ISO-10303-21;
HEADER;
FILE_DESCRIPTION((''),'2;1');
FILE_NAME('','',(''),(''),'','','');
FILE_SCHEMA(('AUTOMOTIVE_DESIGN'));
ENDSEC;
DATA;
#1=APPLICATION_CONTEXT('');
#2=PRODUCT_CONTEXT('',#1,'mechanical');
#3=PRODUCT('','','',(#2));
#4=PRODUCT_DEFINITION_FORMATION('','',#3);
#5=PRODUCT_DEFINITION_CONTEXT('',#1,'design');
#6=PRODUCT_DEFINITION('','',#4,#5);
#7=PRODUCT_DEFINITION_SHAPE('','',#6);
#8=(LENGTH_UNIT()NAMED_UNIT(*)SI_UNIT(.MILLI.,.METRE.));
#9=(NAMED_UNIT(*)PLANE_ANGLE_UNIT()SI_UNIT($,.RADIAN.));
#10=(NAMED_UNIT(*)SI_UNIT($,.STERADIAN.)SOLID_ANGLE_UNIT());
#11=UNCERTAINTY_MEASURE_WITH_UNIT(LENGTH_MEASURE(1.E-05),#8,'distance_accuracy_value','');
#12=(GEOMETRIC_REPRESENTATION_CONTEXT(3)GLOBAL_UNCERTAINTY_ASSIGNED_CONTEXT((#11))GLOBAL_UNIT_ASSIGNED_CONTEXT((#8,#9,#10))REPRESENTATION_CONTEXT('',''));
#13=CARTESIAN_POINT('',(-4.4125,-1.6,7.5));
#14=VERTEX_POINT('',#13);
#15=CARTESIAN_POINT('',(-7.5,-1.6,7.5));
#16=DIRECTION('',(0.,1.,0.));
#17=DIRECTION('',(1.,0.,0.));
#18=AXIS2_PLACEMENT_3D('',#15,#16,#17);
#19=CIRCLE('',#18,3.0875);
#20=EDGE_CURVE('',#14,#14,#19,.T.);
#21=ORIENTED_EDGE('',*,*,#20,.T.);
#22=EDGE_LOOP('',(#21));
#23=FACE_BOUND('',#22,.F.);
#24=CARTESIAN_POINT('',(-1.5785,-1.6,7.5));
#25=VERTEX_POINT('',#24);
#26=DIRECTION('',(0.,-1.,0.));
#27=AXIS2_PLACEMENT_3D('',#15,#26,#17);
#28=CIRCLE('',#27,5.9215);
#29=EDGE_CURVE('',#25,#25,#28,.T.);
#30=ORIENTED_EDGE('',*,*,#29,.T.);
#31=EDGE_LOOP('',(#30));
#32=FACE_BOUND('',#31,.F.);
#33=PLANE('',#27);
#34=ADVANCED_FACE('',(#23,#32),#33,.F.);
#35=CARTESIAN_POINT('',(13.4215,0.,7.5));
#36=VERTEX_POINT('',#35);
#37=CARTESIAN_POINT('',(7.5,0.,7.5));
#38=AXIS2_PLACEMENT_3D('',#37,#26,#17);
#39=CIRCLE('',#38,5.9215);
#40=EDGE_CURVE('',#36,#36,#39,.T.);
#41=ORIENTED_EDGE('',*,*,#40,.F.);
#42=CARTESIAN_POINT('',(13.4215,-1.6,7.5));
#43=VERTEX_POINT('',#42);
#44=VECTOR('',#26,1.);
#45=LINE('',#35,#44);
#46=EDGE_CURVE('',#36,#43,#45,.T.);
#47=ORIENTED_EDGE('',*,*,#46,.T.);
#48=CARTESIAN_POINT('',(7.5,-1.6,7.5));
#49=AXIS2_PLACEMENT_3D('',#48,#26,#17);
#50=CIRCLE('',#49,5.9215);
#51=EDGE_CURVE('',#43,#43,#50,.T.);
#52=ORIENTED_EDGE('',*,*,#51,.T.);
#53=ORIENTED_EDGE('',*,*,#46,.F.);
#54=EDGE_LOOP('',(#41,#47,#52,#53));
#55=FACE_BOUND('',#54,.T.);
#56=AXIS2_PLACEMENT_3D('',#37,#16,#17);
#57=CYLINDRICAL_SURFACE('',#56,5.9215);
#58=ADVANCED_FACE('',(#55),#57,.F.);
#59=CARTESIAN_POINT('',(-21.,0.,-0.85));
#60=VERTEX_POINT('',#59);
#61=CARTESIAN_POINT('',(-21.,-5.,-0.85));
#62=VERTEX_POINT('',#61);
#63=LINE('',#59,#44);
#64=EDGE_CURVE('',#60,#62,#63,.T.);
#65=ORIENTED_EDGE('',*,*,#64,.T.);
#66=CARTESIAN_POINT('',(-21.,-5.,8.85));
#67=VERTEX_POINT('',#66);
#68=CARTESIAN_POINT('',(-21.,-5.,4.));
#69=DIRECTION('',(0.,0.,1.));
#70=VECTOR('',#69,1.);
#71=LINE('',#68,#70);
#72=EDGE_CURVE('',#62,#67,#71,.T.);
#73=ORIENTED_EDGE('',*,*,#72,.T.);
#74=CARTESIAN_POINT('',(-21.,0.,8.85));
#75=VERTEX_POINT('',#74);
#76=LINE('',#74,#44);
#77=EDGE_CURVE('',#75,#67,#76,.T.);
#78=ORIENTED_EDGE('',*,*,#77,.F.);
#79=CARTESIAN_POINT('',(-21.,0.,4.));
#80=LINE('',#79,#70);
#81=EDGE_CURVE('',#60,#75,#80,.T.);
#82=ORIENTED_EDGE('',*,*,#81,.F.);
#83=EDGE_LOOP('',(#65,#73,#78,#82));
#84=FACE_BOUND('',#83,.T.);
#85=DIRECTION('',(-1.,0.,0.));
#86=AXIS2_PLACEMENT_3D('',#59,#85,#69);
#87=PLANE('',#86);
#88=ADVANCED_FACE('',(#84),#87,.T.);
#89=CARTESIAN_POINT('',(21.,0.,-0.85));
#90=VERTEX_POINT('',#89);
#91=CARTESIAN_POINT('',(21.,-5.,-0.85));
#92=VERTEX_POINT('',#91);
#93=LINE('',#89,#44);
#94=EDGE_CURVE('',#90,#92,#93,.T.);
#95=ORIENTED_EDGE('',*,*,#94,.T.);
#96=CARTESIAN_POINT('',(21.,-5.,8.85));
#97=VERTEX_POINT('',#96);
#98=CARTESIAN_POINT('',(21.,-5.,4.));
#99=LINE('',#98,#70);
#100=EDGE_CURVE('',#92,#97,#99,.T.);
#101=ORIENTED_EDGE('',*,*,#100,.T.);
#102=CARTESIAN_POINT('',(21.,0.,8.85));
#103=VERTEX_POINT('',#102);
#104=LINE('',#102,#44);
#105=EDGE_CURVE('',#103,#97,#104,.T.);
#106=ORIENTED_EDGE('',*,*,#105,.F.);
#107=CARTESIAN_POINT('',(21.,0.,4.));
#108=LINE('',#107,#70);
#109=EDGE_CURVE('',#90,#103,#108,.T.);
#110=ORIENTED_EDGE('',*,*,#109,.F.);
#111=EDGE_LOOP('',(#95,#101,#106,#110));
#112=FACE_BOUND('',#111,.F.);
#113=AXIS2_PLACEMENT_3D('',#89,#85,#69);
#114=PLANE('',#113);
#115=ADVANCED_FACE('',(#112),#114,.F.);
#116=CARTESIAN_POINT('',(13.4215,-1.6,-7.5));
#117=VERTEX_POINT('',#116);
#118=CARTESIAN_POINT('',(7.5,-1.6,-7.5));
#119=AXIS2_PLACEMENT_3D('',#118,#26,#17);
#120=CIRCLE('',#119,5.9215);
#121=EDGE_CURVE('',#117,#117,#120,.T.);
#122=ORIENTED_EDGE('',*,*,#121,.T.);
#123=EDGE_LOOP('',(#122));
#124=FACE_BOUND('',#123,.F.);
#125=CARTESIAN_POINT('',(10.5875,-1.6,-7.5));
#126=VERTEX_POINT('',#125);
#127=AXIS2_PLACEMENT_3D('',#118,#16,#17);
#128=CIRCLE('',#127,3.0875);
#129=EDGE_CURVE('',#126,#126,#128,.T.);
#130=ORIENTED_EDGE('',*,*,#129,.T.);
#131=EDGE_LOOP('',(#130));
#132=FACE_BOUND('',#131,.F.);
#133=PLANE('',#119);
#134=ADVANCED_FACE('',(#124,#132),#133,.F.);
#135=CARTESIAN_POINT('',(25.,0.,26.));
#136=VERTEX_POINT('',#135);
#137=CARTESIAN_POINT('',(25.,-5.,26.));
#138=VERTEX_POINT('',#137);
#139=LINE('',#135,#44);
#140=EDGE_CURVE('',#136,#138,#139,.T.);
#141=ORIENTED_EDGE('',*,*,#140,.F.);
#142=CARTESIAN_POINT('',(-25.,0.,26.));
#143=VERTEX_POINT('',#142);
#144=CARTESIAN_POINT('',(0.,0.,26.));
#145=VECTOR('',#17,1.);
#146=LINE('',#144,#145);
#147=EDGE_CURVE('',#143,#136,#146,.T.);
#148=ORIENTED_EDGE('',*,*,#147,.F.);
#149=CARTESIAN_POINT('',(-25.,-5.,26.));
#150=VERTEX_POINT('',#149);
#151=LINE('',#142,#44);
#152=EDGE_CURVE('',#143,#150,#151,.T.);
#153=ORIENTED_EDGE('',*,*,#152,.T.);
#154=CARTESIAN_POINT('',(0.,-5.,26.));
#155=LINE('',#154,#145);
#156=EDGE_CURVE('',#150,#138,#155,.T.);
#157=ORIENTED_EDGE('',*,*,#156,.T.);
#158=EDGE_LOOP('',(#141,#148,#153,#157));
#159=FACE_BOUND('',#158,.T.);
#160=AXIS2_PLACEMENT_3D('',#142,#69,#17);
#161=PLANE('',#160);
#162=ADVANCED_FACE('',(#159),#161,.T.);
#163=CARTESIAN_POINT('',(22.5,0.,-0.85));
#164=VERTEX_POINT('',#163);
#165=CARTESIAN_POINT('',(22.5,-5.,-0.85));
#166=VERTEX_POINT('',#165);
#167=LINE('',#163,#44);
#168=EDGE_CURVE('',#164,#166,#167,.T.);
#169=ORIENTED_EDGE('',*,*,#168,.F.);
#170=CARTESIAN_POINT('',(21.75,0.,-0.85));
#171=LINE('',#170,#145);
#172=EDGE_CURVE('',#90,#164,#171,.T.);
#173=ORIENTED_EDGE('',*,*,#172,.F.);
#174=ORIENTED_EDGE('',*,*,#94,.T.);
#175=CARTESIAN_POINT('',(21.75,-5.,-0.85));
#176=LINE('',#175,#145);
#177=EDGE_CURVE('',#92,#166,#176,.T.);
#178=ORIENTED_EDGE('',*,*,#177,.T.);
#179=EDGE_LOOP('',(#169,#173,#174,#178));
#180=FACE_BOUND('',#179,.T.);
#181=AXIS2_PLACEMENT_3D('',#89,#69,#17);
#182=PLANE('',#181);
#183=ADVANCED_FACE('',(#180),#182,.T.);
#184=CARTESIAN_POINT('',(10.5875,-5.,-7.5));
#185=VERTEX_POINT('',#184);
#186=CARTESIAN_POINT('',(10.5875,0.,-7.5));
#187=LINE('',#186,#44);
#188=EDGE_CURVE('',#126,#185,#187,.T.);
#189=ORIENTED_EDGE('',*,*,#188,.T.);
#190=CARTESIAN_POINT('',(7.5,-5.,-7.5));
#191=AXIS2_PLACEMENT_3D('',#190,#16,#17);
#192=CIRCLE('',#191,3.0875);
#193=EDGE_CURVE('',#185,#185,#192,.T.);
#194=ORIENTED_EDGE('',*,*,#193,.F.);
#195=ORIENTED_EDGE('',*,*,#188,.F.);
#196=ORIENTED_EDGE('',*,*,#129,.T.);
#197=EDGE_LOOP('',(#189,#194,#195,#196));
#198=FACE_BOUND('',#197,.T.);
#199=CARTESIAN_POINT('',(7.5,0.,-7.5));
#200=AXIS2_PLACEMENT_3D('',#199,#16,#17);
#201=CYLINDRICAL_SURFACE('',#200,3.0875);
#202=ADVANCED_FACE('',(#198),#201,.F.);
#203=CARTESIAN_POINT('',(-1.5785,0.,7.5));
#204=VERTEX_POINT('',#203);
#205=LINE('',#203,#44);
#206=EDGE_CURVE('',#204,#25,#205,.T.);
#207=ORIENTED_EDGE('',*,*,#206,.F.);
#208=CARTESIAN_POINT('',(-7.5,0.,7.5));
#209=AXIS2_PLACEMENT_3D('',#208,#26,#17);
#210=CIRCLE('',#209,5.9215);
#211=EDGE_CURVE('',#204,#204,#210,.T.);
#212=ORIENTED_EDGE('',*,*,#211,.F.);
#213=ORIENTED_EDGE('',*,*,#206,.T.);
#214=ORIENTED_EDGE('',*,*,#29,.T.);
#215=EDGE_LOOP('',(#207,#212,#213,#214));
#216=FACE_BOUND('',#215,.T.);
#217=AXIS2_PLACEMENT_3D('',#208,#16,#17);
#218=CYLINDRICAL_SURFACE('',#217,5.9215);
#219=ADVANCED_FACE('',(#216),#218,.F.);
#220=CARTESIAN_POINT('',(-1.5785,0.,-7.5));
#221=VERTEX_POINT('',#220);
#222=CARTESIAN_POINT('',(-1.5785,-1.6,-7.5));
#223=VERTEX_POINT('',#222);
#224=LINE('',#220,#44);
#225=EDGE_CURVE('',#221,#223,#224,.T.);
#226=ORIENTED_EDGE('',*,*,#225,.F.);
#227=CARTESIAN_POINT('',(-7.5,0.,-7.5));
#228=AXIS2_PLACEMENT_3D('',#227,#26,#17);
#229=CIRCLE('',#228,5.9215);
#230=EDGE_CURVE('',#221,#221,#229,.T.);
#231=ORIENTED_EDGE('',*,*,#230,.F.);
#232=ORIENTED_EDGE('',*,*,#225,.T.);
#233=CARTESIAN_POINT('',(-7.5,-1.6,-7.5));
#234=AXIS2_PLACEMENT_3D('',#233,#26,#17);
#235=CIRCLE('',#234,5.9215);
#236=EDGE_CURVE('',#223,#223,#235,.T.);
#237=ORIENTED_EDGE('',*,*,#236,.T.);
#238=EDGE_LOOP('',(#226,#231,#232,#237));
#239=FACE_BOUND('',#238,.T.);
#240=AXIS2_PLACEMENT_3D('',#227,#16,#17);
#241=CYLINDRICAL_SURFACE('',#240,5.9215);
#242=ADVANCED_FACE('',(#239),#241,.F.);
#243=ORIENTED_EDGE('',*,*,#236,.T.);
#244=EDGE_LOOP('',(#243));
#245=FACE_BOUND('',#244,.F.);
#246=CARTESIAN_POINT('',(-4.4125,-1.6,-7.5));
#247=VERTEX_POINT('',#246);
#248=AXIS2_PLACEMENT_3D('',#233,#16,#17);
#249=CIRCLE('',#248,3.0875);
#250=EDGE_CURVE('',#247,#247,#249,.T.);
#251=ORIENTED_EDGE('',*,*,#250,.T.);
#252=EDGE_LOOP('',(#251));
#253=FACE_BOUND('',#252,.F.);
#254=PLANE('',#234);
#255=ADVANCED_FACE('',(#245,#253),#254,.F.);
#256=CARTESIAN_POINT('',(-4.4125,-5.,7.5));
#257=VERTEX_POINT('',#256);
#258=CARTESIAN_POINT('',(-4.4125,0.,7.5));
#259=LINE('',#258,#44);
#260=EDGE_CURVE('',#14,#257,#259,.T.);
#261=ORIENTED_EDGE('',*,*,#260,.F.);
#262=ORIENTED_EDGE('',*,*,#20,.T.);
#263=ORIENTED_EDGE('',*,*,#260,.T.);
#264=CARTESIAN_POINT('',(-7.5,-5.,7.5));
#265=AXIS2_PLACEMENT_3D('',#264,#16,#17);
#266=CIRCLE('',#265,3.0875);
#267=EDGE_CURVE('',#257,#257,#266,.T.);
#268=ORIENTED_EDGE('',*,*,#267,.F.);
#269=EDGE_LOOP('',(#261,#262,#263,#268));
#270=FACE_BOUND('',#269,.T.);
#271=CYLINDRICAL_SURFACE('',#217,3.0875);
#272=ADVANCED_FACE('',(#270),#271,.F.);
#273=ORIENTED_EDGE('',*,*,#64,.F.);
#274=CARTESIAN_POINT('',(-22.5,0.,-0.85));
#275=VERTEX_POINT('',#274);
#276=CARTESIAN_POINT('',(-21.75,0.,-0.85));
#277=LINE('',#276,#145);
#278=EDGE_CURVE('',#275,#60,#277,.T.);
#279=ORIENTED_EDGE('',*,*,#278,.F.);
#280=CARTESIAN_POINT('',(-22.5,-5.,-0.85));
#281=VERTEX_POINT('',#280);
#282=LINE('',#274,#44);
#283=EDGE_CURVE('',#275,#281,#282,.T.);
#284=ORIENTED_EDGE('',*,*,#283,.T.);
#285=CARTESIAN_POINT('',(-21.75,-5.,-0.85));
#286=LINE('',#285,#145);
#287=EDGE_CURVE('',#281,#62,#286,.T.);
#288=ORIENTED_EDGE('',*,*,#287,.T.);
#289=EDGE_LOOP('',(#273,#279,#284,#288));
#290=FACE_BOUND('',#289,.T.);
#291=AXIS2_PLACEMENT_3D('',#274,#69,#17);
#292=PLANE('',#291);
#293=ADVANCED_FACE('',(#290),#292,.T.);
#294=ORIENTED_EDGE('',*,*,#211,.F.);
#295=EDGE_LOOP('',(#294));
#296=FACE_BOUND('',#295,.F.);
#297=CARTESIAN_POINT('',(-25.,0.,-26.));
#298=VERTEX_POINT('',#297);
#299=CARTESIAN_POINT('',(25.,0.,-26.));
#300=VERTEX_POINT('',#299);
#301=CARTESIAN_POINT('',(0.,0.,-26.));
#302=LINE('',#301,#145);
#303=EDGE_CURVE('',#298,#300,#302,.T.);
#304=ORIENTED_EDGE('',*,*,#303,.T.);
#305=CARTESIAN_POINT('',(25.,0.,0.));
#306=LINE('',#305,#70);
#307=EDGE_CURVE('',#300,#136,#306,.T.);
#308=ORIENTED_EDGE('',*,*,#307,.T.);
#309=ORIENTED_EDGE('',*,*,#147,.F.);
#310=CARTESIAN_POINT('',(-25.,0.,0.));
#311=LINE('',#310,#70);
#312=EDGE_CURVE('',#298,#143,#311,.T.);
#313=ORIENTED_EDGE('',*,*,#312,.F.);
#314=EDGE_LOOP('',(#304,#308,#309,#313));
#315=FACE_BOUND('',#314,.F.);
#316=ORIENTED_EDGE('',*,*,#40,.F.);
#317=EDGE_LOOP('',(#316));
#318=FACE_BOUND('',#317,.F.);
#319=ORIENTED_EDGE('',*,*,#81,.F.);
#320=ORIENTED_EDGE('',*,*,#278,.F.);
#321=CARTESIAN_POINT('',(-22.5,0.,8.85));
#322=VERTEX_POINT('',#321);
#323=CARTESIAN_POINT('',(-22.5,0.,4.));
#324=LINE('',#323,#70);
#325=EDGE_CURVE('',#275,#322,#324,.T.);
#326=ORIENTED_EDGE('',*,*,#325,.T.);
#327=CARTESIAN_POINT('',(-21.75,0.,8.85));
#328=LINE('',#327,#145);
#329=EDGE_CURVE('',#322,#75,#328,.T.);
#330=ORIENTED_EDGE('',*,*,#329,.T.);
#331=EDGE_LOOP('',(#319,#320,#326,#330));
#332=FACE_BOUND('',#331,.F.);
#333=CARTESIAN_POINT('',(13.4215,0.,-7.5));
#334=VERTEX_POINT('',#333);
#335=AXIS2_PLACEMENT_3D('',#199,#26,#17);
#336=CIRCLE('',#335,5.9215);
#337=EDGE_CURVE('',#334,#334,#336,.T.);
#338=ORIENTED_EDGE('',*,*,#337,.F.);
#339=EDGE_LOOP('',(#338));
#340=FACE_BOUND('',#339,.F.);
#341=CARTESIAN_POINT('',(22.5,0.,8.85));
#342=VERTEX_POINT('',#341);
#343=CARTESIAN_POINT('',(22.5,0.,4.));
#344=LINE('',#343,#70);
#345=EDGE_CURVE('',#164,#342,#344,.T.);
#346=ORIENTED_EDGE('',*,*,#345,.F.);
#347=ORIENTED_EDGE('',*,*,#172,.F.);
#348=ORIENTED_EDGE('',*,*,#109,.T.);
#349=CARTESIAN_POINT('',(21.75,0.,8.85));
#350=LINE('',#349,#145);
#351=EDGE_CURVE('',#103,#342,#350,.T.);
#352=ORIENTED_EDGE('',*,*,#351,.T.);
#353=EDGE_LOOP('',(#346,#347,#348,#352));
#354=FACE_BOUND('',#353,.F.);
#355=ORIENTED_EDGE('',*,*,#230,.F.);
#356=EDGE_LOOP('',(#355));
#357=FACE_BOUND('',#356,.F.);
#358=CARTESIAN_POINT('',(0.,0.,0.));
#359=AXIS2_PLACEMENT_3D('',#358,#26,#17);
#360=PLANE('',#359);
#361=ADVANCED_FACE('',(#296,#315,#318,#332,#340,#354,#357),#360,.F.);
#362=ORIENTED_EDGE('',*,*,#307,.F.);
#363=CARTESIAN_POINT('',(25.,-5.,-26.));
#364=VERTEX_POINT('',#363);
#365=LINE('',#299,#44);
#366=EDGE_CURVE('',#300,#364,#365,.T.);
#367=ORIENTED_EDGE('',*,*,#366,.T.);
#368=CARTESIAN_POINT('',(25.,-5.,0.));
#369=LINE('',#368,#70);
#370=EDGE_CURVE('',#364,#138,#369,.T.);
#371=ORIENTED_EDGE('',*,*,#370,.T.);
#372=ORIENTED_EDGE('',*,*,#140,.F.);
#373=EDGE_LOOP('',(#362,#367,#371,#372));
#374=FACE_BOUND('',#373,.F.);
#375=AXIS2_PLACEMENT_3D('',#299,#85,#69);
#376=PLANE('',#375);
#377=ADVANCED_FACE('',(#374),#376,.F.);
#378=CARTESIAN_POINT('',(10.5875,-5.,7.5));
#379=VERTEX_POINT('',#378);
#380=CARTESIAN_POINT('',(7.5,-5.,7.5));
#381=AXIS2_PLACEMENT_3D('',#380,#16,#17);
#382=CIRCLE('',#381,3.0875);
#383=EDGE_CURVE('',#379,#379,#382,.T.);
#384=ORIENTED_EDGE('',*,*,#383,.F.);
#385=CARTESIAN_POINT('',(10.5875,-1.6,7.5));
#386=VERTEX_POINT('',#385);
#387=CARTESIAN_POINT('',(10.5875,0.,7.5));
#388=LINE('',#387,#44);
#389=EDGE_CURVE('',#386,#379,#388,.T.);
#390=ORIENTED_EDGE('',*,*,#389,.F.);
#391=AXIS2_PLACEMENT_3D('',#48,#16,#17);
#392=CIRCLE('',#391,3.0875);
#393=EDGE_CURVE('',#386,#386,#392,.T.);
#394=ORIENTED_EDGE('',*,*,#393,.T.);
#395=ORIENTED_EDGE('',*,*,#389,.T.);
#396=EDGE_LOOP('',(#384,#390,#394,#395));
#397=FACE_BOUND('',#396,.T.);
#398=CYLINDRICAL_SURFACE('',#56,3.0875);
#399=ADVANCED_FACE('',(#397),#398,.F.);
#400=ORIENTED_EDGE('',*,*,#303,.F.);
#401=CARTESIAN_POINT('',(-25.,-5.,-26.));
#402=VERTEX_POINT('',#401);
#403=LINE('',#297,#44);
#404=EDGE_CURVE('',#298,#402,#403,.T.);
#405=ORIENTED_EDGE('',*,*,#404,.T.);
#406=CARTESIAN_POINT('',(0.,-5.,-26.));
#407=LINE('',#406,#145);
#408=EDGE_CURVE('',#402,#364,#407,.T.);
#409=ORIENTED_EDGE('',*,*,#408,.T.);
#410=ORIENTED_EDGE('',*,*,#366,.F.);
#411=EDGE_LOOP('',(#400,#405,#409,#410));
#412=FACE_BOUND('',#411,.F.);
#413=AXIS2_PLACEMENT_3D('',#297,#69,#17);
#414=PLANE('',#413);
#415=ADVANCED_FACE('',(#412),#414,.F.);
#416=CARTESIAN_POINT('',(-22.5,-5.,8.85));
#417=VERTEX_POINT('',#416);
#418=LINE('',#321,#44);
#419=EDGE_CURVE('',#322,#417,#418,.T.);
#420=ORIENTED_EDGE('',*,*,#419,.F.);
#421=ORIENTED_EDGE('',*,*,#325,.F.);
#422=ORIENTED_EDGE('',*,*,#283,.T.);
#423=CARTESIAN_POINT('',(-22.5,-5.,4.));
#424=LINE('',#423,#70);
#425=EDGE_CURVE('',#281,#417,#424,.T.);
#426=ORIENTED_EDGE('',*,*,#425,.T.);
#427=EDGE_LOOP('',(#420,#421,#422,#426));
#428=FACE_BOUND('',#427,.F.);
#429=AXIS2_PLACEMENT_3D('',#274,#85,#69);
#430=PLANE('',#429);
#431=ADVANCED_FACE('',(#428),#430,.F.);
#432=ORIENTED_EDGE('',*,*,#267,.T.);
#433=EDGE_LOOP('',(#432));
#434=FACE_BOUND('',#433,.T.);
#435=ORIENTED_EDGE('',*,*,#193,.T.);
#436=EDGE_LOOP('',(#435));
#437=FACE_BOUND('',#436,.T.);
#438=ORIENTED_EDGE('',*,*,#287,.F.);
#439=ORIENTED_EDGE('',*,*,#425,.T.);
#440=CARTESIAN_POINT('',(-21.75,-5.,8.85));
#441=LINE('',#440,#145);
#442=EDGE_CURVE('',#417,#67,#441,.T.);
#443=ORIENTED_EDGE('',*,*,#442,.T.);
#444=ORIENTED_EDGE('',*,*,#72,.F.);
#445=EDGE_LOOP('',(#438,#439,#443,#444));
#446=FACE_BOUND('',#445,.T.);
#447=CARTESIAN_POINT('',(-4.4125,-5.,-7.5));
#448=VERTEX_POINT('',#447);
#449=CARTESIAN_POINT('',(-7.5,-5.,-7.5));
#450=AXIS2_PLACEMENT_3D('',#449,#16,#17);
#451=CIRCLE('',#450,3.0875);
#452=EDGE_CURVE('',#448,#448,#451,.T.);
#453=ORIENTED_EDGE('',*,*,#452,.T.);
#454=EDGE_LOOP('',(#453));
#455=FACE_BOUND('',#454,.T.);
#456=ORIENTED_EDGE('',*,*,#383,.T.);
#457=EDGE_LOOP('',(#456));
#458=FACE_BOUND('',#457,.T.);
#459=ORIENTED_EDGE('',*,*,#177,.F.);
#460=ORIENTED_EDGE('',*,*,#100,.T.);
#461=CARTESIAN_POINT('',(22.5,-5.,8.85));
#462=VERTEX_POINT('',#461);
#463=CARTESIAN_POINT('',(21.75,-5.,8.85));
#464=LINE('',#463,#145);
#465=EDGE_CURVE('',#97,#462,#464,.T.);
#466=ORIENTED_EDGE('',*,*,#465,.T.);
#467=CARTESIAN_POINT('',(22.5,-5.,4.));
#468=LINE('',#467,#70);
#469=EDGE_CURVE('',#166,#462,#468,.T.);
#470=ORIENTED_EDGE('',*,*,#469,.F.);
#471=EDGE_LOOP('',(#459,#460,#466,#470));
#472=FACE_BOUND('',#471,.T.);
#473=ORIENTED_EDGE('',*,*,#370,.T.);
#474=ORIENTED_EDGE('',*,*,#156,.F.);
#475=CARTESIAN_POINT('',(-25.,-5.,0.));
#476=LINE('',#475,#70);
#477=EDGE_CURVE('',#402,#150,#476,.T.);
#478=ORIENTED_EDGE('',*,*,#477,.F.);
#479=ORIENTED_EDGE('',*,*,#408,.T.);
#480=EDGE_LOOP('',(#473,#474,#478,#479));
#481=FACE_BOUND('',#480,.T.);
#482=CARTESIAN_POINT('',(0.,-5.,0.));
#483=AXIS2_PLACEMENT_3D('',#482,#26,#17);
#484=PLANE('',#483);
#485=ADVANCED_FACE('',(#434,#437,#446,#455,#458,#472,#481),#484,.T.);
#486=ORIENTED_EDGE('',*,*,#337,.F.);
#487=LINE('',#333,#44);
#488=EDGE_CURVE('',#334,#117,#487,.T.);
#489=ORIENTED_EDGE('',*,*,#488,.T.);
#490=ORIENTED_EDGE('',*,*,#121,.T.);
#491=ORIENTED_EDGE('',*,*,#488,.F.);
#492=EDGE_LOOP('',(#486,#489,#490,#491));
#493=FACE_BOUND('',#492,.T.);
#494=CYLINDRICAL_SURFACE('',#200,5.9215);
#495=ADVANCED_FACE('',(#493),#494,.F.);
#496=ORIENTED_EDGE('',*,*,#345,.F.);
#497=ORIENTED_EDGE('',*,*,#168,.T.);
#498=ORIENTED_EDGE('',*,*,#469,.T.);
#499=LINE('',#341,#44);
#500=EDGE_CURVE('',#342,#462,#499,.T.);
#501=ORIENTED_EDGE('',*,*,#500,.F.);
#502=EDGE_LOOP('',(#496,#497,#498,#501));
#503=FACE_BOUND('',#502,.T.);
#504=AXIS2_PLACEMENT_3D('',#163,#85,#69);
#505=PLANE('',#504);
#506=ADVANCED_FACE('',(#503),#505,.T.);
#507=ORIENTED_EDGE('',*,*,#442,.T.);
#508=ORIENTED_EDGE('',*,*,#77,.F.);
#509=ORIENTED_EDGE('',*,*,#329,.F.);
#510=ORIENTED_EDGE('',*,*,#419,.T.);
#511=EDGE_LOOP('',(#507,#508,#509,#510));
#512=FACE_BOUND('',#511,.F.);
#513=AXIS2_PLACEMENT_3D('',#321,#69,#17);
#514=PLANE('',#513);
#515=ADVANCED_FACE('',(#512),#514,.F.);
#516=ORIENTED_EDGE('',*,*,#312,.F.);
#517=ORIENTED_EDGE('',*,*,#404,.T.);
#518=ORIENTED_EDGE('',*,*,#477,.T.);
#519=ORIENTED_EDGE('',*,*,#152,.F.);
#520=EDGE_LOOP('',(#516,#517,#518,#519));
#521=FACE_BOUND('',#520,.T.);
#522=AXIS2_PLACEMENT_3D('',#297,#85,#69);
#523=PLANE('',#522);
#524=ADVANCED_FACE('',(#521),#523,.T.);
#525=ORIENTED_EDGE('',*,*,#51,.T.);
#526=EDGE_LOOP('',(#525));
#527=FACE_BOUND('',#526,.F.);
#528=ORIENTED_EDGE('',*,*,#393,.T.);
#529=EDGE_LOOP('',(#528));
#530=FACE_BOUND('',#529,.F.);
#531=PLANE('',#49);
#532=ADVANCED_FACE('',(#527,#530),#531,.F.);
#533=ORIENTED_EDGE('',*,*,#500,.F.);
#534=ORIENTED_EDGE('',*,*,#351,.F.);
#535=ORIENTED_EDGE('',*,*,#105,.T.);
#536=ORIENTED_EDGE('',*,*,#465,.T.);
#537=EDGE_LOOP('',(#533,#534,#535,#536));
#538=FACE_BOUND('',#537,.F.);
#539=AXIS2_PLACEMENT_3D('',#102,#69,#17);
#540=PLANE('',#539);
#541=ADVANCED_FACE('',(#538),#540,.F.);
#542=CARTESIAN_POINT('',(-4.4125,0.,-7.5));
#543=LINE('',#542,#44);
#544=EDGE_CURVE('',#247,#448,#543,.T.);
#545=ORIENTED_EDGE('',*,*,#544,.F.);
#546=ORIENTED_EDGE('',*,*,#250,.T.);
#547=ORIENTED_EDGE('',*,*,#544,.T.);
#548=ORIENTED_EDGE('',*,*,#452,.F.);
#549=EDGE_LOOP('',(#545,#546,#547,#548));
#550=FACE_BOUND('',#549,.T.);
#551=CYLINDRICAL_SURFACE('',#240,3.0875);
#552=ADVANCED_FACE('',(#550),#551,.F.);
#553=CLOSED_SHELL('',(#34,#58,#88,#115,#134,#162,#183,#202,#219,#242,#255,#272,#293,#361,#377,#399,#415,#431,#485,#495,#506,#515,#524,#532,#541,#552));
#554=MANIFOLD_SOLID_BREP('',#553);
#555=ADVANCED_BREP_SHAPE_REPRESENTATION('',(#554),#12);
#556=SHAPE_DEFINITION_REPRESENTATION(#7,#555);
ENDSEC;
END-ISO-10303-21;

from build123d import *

# Parameters (mm, degrees)
F0_W     = 50
F0_H     = 52
F0_W_2   = 1.5
F0_H_2   = 9.7
F1_DEPTH = 5
F2_R     = 5.9215
F3_DEPTH = 1.6
F4_R     = 3.0875
F5_DEPTH = 5.001


with BuildPart() as f1:
    # F0 (on Front) → F1 (new body)
    with BuildSketch(Plane.XZ):
        Rectangle(F0_W, F0_H)
        with Locations((-21.75, 4)):
            Rectangle(F0_W_2, F0_H_2, mode=Mode.SUBTRACT)
        with Locations((21.75, 4)):
            Rectangle(F0_W_2, F0_H_2, mode=Mode.SUBTRACT)
    extrude(amount=F1_DEPTH)

    # F2 (on Front) → F3 (cut)
    with BuildSketch(Plane.XZ):
        with Locations((7.5, 7.5)):
            Circle(F2_R)
        with Locations((7.5, -7.5)):
            Circle(F2_R)
        with Locations((-7.5, -7.5)):
            Circle(F2_R)
        with Locations((-7.5, 7.5)):
            Circle(F2_R)
    extrude(amount=F3_DEPTH, mode=Mode.SUBTRACT)

    # F4 (on Front) → F5 (cut, through all)
    with BuildSketch(Plane.XZ):
        with Locations((7.5, 7.5)):
            Circle(F4_R)
        with Locations((-7.5, 7.5)):
            Circle(F4_R)
        with Locations((-7.5, -7.5)):
            Circle(F4_R)
        with Locations((7.5, -7.5)):
            Circle(F4_R)
    extrude(amount=F5_DEPTH, mode=Mode.SUBTRACT)


solid = f1.part
